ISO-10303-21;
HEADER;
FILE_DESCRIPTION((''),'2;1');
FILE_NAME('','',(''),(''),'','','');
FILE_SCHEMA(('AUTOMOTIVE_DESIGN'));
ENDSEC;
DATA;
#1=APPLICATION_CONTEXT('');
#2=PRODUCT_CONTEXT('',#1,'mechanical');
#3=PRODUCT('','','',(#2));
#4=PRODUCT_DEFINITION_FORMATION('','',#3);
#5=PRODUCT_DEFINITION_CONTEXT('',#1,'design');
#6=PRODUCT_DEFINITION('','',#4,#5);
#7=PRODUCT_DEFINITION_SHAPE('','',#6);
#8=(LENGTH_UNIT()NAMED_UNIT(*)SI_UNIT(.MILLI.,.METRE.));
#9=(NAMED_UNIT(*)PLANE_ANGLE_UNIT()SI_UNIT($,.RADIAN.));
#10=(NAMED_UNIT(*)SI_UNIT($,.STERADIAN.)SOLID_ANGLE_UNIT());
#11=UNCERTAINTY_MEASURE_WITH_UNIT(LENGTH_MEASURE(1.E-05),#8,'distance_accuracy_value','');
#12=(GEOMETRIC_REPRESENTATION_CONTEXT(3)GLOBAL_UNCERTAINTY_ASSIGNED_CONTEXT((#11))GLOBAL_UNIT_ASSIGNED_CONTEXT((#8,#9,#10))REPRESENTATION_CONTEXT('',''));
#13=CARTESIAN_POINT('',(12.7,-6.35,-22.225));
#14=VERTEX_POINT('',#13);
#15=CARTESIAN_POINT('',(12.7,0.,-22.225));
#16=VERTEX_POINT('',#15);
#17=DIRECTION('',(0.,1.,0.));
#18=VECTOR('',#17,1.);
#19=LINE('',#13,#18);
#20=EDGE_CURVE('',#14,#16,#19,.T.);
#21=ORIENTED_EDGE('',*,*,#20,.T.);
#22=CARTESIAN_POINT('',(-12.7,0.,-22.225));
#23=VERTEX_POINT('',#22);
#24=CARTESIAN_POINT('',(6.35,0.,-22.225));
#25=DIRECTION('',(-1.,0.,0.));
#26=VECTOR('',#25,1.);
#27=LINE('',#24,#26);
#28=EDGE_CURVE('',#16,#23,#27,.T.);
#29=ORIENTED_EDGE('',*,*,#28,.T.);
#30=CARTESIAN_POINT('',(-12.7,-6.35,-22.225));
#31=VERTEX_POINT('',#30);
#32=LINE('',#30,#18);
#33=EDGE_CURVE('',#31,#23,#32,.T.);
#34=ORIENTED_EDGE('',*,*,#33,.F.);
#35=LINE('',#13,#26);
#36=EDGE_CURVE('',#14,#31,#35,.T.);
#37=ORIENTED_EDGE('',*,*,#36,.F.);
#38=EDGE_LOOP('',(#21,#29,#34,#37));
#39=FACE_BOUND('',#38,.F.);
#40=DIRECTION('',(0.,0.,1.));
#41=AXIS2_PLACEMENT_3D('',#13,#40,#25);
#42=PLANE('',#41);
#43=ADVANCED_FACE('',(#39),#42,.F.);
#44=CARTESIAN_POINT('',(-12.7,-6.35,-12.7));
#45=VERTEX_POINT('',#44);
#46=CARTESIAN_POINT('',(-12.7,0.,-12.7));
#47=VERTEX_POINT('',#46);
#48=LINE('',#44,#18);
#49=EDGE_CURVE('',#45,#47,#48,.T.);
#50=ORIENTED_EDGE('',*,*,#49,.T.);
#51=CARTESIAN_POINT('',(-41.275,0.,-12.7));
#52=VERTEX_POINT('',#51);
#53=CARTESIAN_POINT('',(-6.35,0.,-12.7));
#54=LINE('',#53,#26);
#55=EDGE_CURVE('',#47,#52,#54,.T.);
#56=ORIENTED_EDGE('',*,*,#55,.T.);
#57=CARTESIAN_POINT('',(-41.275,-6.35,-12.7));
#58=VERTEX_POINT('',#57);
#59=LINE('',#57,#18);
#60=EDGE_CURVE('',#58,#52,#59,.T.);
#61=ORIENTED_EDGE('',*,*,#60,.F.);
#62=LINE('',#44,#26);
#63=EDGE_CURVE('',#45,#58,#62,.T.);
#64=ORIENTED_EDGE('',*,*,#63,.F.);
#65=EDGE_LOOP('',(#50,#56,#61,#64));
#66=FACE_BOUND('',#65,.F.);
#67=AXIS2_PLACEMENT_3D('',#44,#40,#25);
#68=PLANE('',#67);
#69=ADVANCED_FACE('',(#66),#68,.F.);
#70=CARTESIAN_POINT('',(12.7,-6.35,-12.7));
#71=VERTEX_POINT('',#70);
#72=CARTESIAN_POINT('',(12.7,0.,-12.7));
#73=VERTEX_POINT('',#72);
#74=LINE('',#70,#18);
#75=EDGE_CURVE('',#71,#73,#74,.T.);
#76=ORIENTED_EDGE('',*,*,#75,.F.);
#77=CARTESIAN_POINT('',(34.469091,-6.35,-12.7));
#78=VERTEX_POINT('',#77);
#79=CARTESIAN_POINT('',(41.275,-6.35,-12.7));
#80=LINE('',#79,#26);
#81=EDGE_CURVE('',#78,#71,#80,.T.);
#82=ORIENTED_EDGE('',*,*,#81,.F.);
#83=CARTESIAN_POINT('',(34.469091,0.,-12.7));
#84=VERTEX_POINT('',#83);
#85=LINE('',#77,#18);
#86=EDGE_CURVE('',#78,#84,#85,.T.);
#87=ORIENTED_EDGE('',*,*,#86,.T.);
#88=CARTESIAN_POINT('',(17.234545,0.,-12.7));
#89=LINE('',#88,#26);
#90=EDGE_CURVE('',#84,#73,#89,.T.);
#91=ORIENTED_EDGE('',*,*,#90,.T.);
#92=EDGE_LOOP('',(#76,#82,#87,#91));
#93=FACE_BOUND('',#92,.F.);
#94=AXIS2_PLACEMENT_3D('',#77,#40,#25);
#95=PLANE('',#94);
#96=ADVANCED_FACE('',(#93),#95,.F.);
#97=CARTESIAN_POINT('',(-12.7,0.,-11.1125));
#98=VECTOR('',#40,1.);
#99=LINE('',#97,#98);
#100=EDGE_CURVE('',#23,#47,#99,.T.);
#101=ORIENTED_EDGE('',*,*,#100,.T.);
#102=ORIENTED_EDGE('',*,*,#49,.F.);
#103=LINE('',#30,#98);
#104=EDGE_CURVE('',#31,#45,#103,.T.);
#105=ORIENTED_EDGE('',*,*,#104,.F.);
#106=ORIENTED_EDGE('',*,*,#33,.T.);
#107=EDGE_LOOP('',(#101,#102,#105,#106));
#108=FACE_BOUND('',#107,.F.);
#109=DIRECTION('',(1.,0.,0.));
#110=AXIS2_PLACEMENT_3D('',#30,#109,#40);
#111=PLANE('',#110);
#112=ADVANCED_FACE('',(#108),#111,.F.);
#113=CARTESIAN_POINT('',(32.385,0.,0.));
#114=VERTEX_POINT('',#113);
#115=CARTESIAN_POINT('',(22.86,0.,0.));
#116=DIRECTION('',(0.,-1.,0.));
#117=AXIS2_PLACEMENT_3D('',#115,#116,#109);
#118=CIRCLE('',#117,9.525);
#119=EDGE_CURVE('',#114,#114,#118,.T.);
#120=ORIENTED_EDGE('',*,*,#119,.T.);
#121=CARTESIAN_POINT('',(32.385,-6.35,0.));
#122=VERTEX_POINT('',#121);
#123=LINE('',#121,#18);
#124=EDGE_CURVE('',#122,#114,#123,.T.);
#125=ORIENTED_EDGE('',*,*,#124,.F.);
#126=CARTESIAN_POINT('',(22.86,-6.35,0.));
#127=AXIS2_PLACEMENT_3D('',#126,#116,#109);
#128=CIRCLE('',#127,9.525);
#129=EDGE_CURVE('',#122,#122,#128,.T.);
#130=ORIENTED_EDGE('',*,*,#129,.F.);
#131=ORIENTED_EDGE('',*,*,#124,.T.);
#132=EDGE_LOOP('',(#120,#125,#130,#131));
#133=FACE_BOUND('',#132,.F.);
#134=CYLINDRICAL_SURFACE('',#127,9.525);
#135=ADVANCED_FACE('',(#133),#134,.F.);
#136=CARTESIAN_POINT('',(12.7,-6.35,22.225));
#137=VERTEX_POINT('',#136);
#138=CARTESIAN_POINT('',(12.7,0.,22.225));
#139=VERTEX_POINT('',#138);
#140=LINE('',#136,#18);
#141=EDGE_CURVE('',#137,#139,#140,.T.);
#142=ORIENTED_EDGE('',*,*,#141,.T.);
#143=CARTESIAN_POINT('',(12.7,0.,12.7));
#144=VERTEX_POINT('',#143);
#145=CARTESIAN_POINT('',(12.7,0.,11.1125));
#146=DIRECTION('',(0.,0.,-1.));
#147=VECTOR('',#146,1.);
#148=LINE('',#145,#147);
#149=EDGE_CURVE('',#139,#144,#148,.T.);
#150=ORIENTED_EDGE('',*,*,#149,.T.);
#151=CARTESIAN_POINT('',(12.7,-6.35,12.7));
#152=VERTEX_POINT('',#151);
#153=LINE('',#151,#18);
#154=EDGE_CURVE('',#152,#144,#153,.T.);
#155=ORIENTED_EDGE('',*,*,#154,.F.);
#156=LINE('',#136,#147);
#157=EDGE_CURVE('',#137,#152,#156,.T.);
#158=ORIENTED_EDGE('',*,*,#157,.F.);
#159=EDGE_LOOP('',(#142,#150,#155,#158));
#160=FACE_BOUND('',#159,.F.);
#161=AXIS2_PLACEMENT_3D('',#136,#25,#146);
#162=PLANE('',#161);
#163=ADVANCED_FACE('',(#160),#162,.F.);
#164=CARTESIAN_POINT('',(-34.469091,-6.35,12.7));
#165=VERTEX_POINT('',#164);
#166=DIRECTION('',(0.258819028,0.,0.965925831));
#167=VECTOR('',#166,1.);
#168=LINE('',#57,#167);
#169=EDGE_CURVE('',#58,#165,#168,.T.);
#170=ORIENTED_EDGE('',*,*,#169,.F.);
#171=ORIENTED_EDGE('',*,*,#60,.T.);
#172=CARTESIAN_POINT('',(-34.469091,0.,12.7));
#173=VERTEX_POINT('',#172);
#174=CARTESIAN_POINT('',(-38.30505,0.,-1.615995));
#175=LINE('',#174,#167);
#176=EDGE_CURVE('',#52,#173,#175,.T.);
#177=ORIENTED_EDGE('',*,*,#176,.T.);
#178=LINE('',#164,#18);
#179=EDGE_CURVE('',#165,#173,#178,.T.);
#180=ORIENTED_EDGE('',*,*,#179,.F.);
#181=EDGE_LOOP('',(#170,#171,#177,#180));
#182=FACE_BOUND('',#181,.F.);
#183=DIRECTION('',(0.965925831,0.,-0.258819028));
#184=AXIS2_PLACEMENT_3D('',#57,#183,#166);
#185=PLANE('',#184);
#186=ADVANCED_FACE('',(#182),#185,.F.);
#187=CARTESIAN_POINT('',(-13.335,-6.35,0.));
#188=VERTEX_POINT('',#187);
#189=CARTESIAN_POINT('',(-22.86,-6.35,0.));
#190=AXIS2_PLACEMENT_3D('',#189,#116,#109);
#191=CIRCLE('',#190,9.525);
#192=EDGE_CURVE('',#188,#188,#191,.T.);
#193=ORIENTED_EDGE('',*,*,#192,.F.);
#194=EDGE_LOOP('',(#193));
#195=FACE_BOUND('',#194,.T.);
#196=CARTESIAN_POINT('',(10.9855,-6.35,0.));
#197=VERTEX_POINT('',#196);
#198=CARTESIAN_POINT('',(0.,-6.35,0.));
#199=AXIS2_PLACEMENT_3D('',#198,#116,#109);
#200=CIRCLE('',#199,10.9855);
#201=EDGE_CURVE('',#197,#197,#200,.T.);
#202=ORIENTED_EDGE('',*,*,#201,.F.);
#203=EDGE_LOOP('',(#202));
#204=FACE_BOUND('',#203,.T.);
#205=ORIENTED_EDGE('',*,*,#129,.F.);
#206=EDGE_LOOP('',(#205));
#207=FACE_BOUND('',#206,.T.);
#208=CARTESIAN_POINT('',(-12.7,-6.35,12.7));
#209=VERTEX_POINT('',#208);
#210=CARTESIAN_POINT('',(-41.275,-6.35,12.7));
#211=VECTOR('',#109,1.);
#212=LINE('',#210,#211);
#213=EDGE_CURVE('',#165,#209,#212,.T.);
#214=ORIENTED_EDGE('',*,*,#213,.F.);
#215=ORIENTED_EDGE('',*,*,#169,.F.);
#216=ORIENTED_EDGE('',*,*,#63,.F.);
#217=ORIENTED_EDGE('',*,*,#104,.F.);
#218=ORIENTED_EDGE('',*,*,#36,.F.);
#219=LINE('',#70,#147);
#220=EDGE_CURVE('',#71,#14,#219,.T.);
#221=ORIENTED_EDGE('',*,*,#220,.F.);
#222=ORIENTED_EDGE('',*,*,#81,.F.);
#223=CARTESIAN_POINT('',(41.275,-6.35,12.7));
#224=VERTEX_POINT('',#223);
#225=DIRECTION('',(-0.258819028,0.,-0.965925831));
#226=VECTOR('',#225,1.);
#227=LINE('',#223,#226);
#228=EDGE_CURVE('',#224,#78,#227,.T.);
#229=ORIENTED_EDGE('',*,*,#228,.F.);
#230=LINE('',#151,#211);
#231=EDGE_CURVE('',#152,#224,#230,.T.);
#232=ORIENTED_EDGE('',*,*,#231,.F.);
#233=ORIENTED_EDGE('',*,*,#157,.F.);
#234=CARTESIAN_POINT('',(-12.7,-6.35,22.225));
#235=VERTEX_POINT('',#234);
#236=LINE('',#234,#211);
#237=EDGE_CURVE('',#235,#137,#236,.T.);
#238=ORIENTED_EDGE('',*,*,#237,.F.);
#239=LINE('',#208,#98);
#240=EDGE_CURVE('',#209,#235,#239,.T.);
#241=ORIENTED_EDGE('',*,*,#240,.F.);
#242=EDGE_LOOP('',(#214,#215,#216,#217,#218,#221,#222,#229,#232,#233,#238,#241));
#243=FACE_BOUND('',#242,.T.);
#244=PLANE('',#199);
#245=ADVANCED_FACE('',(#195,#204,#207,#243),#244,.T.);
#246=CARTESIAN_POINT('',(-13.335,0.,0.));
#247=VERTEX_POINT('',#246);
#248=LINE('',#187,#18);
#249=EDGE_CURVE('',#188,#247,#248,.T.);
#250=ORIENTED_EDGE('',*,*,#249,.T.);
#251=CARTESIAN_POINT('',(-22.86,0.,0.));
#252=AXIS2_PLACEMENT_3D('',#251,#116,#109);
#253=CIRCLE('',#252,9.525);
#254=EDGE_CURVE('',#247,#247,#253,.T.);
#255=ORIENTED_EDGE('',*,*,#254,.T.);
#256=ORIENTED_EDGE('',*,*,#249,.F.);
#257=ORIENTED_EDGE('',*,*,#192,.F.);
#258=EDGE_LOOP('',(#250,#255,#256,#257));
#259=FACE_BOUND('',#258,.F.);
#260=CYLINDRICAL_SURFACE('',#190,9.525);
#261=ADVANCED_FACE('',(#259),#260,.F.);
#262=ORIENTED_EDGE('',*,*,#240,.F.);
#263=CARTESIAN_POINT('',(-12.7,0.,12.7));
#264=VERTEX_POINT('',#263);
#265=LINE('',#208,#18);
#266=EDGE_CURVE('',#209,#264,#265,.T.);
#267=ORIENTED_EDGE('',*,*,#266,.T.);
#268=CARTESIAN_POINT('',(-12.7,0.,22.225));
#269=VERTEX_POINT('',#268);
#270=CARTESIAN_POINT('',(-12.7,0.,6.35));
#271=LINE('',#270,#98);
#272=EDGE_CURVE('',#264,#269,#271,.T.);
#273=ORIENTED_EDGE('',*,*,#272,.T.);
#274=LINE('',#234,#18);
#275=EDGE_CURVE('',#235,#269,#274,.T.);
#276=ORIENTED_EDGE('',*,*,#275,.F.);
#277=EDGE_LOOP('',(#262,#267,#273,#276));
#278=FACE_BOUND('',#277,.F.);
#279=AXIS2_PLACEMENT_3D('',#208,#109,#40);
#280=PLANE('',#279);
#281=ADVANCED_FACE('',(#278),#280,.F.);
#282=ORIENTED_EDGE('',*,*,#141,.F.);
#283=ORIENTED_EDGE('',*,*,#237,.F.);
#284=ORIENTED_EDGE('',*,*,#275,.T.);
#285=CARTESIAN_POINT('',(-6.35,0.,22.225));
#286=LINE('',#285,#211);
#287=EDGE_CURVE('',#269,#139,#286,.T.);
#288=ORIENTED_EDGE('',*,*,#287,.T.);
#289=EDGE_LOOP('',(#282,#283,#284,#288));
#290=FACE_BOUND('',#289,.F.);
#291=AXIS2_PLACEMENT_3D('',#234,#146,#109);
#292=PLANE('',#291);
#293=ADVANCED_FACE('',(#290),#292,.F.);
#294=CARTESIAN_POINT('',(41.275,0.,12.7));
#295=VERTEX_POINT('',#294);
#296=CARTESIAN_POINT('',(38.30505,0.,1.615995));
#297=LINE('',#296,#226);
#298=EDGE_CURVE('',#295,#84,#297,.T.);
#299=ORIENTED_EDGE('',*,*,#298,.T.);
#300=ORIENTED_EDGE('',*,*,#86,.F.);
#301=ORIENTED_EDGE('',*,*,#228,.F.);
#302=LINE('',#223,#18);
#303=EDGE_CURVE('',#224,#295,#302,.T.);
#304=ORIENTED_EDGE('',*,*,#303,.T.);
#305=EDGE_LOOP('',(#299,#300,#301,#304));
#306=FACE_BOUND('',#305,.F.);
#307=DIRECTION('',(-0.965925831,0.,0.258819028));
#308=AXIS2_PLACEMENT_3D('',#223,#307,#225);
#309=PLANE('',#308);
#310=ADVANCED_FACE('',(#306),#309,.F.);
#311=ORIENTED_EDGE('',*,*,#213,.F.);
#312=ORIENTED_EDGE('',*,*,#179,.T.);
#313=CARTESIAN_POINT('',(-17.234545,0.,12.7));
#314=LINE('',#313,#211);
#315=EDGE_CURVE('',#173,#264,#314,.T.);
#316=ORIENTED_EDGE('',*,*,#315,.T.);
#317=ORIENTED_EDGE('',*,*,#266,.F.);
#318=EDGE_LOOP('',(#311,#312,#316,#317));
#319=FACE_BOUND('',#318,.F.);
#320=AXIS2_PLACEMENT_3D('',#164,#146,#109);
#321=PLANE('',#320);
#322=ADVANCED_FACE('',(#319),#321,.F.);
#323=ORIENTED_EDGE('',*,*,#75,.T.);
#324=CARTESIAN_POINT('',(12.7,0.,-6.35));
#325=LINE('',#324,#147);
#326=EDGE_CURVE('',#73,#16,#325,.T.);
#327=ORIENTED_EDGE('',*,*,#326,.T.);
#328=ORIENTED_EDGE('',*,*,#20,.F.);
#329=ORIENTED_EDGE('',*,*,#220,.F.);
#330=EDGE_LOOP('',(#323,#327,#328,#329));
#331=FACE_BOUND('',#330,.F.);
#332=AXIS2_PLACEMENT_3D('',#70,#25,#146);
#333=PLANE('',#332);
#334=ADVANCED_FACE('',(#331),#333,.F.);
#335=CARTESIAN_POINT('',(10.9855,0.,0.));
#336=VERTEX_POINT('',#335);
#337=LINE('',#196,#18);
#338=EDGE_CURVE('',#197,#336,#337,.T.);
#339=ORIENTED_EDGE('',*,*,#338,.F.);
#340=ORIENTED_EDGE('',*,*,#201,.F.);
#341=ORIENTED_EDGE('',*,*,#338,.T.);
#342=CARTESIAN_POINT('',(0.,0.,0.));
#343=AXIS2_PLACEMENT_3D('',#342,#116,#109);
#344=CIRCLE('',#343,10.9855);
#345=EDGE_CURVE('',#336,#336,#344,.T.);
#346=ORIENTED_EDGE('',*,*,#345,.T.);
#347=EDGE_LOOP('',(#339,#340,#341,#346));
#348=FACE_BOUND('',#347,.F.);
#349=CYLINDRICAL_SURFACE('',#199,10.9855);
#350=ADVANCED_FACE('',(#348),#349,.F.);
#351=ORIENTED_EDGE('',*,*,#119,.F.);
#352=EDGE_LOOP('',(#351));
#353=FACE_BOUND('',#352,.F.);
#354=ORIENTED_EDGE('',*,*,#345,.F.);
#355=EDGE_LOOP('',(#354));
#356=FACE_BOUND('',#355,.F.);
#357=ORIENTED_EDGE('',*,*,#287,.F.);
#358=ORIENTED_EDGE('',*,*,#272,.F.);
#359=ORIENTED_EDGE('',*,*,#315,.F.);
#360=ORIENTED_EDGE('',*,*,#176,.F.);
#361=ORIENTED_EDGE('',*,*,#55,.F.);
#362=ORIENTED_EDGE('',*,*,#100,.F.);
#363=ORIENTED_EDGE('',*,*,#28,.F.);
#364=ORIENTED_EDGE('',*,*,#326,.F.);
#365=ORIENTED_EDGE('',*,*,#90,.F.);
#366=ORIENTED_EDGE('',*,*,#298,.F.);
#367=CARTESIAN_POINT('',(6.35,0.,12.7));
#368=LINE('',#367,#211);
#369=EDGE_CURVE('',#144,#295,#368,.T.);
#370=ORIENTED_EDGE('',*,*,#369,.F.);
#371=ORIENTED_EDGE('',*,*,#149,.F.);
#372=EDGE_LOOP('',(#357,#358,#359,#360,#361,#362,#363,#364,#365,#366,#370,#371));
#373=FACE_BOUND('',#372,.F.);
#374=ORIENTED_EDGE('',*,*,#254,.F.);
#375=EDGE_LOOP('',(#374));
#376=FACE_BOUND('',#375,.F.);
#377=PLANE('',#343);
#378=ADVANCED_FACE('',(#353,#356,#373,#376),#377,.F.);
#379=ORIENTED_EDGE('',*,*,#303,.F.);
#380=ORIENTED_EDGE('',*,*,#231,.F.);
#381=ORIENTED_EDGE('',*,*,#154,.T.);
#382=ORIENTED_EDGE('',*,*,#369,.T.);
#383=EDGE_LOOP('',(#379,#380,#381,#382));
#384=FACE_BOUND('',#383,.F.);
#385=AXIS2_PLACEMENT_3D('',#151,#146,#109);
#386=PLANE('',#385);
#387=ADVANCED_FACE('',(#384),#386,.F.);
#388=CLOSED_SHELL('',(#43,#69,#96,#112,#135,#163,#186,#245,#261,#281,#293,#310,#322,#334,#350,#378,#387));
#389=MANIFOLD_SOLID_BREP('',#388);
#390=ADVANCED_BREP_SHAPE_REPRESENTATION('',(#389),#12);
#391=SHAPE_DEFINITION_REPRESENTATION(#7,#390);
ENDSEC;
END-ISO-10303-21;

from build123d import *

# Parameters (mm, degrees)
F0_W     = 101.6
F0_H     = 101.6
F1_DEPTH = 6.35
F2_W     = 101.6
F2_H     = 101.6
F2_R     = 9.525
F2_R_2   = 10.9855
F3_DEPTH = 25.4


with BuildPart() as f1:
    # F0 (on Front) → F1 (new body)
    with BuildSketch(Plane.XZ):
        Rectangle(F0_W, F0_H)
    extrude(amount=F1_DEPTH)

    # F2 (on face) → F3 (cut)
    with BuildSketch(Plane.XZ.offset(6.35)):
        Rectangle(F2_W, F2_H)
        Polygon((-12.7, 12.7), (-12.7, 22.225), (12.7, 22.225), (12.7, 12.7), (41.275, 12.7), (41.275, -12.7), (34.469091, -12.7), (12.7, -12.7), (12.7, -22.225), (-12.7, -22.225), (-12.7, -12.7), (-41.275, -12.7), (-41.275, 12.7), (-34.469091, 12.7), align=None, mode=Mode.SUBTRACT)
        Polygon((-41.275, -12.7), (-34.469091, 12.7), (-41.275, 12.7), align=None)
        with Locations((-22.86, 0)):
            Circle(F2_R)
        Circle(F2_R_2)
        with Locations((22.86, 0)):
            Circle(F2_R)
        Polygon((41.275, -12.7), (41.275, 12.7), (34.469091, -12.7), align=None)
    extrude(amount=-F3_DEPTH, mode=Mode.SUBTRACT)


solid = f1.part
